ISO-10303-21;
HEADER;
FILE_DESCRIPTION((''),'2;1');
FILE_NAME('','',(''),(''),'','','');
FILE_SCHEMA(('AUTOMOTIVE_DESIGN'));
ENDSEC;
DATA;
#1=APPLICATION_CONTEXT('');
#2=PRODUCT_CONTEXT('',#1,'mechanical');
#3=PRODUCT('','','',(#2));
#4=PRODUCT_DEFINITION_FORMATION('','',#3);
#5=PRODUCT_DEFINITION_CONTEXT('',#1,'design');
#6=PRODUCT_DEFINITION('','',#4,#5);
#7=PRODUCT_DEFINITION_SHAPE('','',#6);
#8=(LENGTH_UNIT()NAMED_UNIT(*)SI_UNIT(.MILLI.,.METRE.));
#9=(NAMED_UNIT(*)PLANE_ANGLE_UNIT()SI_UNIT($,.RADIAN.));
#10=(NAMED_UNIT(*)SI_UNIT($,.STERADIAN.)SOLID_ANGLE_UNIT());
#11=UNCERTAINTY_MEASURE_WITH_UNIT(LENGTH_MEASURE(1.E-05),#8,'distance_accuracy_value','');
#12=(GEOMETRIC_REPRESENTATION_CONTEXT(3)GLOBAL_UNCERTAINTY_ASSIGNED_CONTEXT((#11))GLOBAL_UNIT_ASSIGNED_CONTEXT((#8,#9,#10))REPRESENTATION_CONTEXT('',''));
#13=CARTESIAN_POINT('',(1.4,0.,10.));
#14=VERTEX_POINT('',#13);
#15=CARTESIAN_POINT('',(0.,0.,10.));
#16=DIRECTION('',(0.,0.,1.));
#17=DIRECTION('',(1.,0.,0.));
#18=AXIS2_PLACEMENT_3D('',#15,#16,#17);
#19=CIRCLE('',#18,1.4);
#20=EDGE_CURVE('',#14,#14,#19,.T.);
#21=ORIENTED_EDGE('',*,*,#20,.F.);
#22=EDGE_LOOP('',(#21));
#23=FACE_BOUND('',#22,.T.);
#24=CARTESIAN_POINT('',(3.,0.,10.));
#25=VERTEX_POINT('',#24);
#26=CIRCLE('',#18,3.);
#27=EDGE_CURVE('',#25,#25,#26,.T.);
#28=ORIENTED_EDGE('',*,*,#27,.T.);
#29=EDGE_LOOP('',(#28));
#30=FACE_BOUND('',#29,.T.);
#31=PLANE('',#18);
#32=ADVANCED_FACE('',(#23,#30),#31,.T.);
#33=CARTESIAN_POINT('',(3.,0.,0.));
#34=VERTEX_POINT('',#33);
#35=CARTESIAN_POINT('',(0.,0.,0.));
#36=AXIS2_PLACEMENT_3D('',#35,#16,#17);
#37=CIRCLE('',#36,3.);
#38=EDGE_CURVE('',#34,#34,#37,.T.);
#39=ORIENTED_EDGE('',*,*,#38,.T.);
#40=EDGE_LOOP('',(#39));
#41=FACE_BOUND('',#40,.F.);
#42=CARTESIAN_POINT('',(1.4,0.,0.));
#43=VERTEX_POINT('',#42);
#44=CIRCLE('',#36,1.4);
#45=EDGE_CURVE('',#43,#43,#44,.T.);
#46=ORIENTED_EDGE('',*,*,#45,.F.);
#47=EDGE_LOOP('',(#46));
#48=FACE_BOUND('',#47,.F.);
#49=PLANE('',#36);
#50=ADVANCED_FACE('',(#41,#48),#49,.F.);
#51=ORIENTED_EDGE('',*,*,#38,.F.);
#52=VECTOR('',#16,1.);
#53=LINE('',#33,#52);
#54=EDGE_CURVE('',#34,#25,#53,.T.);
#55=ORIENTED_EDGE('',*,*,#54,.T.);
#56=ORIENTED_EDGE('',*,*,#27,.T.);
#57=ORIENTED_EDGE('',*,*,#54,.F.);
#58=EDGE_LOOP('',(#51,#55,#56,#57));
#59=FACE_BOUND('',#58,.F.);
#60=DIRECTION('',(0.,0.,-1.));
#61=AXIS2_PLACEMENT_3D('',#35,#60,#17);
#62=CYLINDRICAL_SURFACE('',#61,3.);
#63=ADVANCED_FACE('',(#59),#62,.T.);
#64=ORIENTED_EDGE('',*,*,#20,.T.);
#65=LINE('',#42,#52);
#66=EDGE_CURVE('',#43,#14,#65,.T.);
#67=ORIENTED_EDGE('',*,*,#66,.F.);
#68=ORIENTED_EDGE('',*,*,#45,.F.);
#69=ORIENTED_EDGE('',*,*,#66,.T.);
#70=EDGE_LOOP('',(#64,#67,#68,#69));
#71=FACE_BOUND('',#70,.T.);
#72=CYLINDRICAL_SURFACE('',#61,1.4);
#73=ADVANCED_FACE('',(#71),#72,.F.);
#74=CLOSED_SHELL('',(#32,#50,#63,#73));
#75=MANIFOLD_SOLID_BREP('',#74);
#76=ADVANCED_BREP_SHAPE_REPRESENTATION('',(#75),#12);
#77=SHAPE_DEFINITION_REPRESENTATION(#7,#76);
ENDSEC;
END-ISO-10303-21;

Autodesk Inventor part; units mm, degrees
ref_plane "YZ Plane" through (0, 0, 0) normal (1, 0, 0) x (0, 1, 0)
ref_plane "XZ Plane" through (0, 0, 0) normal (0, 1, 0) x (-1, 0, 0)
ref_plane "XY Plane" through (0, 0, 0) normal (0, 0, 1) x (1, 0, 0)
sketch "スケッチ1" plane through (0, 0, 0) normal (0, 0, 1) x (1, 0, 0)
  circle A0 centre (0, 0) radius 3
  circle A1 centre (0, 0) radius 1.4
  dimension "d0" = 6
  dimension "d1" = 2.8
extrude "押し出し1" add sketch "スケッチ1" along normal blind 10
properties part number "10mm" material "アルミニウム"
